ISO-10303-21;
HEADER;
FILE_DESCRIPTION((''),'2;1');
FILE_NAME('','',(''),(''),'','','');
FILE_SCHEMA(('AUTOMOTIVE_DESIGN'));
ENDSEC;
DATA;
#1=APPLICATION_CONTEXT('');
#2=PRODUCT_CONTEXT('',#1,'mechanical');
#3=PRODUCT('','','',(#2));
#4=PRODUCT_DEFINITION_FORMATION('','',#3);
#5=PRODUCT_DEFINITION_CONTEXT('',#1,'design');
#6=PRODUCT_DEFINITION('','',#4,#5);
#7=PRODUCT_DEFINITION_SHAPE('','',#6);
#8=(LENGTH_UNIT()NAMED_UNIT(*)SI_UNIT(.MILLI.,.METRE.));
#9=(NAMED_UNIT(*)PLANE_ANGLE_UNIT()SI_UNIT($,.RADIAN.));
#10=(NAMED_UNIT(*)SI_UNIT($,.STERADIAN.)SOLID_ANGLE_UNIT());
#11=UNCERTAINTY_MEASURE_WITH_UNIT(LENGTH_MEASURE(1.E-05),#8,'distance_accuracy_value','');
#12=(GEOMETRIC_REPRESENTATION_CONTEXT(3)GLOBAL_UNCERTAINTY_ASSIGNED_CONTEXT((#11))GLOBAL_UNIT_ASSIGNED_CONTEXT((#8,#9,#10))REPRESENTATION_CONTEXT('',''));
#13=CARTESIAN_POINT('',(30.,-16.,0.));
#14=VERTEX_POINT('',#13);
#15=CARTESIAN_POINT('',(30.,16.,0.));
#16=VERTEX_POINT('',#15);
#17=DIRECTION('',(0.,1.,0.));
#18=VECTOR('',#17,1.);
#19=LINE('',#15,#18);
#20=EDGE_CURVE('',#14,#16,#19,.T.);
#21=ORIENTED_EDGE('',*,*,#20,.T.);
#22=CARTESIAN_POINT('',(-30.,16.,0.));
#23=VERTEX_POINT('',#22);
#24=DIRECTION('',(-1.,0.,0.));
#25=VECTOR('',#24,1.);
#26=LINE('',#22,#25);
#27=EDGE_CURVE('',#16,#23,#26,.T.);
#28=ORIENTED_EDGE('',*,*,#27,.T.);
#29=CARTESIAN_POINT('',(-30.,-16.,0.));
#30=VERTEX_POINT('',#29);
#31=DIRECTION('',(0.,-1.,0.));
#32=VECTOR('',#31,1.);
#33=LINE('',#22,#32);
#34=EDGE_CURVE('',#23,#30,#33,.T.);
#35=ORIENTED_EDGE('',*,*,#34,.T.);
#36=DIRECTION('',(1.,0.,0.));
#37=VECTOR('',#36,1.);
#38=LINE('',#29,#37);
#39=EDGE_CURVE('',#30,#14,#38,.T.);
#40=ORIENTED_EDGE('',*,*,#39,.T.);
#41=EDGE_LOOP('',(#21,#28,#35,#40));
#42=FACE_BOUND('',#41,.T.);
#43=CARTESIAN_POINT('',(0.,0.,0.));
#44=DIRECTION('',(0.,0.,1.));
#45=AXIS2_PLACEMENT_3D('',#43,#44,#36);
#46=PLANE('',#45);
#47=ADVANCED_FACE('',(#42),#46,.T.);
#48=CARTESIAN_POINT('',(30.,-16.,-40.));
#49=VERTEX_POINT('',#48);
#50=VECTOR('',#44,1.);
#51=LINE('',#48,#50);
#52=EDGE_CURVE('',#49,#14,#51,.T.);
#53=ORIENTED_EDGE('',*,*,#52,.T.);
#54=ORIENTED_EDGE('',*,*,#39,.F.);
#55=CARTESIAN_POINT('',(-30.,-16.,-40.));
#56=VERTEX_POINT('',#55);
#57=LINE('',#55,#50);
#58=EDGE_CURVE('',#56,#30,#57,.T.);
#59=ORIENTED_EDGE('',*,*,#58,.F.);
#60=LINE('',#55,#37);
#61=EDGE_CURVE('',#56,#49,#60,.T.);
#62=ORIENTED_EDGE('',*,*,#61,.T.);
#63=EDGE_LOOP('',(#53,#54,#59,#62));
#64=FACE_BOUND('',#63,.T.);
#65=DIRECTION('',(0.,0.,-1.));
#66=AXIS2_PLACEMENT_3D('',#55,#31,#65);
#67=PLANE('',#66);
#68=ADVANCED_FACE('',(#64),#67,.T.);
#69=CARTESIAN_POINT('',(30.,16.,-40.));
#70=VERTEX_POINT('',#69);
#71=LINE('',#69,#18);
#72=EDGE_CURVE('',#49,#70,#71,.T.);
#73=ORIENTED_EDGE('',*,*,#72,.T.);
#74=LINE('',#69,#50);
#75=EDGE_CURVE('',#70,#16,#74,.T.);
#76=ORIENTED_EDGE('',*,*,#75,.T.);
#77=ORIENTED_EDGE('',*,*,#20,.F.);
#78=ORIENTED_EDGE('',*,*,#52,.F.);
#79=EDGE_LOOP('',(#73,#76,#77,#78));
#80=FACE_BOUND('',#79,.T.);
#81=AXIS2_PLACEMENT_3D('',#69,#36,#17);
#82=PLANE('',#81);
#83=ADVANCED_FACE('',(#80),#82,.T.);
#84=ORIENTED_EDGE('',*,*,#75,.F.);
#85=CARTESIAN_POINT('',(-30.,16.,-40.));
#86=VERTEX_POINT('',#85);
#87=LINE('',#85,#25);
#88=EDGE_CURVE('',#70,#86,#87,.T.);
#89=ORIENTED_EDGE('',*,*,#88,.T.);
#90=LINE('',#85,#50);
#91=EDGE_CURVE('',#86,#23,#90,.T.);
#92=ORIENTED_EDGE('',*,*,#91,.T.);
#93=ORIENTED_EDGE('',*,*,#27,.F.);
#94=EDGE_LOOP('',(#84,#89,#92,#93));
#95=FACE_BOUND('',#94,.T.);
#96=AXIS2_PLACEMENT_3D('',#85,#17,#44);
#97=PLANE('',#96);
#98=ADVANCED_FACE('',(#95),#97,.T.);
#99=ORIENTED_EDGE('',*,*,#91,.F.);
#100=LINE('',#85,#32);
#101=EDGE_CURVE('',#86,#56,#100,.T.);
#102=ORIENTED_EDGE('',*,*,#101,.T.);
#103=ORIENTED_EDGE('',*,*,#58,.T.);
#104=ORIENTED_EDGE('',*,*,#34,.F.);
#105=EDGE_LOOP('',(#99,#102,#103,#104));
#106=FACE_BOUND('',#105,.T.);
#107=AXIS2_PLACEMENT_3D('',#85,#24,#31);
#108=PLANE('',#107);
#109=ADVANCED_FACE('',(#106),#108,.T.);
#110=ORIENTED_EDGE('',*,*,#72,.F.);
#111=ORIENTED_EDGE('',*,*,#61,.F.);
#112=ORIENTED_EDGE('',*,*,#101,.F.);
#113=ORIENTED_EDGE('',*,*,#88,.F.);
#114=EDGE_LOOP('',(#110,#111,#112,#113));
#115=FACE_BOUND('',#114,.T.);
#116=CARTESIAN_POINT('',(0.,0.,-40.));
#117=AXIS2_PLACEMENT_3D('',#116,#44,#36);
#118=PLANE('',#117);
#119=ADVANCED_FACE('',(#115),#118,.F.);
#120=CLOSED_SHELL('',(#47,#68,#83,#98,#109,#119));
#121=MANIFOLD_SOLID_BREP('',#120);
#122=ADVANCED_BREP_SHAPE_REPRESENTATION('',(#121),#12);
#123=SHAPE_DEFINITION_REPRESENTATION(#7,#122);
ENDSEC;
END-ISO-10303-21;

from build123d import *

# Parameters (mm, degrees)
SKETCH1_W           = 60
SKETCH1_H           = 32
BOSS_EXTRUDE1_DEPTH = 40


with BuildPart() as part:
    # Sketch1 → Boss-Extrude1 (new body)
    with BuildSketch(Plane.XY):
        Rectangle(SKETCH1_W, SKETCH1_H)
    extrude(amount=-BOSS_EXTRUDE1_DEPTH)


solid = part.part
